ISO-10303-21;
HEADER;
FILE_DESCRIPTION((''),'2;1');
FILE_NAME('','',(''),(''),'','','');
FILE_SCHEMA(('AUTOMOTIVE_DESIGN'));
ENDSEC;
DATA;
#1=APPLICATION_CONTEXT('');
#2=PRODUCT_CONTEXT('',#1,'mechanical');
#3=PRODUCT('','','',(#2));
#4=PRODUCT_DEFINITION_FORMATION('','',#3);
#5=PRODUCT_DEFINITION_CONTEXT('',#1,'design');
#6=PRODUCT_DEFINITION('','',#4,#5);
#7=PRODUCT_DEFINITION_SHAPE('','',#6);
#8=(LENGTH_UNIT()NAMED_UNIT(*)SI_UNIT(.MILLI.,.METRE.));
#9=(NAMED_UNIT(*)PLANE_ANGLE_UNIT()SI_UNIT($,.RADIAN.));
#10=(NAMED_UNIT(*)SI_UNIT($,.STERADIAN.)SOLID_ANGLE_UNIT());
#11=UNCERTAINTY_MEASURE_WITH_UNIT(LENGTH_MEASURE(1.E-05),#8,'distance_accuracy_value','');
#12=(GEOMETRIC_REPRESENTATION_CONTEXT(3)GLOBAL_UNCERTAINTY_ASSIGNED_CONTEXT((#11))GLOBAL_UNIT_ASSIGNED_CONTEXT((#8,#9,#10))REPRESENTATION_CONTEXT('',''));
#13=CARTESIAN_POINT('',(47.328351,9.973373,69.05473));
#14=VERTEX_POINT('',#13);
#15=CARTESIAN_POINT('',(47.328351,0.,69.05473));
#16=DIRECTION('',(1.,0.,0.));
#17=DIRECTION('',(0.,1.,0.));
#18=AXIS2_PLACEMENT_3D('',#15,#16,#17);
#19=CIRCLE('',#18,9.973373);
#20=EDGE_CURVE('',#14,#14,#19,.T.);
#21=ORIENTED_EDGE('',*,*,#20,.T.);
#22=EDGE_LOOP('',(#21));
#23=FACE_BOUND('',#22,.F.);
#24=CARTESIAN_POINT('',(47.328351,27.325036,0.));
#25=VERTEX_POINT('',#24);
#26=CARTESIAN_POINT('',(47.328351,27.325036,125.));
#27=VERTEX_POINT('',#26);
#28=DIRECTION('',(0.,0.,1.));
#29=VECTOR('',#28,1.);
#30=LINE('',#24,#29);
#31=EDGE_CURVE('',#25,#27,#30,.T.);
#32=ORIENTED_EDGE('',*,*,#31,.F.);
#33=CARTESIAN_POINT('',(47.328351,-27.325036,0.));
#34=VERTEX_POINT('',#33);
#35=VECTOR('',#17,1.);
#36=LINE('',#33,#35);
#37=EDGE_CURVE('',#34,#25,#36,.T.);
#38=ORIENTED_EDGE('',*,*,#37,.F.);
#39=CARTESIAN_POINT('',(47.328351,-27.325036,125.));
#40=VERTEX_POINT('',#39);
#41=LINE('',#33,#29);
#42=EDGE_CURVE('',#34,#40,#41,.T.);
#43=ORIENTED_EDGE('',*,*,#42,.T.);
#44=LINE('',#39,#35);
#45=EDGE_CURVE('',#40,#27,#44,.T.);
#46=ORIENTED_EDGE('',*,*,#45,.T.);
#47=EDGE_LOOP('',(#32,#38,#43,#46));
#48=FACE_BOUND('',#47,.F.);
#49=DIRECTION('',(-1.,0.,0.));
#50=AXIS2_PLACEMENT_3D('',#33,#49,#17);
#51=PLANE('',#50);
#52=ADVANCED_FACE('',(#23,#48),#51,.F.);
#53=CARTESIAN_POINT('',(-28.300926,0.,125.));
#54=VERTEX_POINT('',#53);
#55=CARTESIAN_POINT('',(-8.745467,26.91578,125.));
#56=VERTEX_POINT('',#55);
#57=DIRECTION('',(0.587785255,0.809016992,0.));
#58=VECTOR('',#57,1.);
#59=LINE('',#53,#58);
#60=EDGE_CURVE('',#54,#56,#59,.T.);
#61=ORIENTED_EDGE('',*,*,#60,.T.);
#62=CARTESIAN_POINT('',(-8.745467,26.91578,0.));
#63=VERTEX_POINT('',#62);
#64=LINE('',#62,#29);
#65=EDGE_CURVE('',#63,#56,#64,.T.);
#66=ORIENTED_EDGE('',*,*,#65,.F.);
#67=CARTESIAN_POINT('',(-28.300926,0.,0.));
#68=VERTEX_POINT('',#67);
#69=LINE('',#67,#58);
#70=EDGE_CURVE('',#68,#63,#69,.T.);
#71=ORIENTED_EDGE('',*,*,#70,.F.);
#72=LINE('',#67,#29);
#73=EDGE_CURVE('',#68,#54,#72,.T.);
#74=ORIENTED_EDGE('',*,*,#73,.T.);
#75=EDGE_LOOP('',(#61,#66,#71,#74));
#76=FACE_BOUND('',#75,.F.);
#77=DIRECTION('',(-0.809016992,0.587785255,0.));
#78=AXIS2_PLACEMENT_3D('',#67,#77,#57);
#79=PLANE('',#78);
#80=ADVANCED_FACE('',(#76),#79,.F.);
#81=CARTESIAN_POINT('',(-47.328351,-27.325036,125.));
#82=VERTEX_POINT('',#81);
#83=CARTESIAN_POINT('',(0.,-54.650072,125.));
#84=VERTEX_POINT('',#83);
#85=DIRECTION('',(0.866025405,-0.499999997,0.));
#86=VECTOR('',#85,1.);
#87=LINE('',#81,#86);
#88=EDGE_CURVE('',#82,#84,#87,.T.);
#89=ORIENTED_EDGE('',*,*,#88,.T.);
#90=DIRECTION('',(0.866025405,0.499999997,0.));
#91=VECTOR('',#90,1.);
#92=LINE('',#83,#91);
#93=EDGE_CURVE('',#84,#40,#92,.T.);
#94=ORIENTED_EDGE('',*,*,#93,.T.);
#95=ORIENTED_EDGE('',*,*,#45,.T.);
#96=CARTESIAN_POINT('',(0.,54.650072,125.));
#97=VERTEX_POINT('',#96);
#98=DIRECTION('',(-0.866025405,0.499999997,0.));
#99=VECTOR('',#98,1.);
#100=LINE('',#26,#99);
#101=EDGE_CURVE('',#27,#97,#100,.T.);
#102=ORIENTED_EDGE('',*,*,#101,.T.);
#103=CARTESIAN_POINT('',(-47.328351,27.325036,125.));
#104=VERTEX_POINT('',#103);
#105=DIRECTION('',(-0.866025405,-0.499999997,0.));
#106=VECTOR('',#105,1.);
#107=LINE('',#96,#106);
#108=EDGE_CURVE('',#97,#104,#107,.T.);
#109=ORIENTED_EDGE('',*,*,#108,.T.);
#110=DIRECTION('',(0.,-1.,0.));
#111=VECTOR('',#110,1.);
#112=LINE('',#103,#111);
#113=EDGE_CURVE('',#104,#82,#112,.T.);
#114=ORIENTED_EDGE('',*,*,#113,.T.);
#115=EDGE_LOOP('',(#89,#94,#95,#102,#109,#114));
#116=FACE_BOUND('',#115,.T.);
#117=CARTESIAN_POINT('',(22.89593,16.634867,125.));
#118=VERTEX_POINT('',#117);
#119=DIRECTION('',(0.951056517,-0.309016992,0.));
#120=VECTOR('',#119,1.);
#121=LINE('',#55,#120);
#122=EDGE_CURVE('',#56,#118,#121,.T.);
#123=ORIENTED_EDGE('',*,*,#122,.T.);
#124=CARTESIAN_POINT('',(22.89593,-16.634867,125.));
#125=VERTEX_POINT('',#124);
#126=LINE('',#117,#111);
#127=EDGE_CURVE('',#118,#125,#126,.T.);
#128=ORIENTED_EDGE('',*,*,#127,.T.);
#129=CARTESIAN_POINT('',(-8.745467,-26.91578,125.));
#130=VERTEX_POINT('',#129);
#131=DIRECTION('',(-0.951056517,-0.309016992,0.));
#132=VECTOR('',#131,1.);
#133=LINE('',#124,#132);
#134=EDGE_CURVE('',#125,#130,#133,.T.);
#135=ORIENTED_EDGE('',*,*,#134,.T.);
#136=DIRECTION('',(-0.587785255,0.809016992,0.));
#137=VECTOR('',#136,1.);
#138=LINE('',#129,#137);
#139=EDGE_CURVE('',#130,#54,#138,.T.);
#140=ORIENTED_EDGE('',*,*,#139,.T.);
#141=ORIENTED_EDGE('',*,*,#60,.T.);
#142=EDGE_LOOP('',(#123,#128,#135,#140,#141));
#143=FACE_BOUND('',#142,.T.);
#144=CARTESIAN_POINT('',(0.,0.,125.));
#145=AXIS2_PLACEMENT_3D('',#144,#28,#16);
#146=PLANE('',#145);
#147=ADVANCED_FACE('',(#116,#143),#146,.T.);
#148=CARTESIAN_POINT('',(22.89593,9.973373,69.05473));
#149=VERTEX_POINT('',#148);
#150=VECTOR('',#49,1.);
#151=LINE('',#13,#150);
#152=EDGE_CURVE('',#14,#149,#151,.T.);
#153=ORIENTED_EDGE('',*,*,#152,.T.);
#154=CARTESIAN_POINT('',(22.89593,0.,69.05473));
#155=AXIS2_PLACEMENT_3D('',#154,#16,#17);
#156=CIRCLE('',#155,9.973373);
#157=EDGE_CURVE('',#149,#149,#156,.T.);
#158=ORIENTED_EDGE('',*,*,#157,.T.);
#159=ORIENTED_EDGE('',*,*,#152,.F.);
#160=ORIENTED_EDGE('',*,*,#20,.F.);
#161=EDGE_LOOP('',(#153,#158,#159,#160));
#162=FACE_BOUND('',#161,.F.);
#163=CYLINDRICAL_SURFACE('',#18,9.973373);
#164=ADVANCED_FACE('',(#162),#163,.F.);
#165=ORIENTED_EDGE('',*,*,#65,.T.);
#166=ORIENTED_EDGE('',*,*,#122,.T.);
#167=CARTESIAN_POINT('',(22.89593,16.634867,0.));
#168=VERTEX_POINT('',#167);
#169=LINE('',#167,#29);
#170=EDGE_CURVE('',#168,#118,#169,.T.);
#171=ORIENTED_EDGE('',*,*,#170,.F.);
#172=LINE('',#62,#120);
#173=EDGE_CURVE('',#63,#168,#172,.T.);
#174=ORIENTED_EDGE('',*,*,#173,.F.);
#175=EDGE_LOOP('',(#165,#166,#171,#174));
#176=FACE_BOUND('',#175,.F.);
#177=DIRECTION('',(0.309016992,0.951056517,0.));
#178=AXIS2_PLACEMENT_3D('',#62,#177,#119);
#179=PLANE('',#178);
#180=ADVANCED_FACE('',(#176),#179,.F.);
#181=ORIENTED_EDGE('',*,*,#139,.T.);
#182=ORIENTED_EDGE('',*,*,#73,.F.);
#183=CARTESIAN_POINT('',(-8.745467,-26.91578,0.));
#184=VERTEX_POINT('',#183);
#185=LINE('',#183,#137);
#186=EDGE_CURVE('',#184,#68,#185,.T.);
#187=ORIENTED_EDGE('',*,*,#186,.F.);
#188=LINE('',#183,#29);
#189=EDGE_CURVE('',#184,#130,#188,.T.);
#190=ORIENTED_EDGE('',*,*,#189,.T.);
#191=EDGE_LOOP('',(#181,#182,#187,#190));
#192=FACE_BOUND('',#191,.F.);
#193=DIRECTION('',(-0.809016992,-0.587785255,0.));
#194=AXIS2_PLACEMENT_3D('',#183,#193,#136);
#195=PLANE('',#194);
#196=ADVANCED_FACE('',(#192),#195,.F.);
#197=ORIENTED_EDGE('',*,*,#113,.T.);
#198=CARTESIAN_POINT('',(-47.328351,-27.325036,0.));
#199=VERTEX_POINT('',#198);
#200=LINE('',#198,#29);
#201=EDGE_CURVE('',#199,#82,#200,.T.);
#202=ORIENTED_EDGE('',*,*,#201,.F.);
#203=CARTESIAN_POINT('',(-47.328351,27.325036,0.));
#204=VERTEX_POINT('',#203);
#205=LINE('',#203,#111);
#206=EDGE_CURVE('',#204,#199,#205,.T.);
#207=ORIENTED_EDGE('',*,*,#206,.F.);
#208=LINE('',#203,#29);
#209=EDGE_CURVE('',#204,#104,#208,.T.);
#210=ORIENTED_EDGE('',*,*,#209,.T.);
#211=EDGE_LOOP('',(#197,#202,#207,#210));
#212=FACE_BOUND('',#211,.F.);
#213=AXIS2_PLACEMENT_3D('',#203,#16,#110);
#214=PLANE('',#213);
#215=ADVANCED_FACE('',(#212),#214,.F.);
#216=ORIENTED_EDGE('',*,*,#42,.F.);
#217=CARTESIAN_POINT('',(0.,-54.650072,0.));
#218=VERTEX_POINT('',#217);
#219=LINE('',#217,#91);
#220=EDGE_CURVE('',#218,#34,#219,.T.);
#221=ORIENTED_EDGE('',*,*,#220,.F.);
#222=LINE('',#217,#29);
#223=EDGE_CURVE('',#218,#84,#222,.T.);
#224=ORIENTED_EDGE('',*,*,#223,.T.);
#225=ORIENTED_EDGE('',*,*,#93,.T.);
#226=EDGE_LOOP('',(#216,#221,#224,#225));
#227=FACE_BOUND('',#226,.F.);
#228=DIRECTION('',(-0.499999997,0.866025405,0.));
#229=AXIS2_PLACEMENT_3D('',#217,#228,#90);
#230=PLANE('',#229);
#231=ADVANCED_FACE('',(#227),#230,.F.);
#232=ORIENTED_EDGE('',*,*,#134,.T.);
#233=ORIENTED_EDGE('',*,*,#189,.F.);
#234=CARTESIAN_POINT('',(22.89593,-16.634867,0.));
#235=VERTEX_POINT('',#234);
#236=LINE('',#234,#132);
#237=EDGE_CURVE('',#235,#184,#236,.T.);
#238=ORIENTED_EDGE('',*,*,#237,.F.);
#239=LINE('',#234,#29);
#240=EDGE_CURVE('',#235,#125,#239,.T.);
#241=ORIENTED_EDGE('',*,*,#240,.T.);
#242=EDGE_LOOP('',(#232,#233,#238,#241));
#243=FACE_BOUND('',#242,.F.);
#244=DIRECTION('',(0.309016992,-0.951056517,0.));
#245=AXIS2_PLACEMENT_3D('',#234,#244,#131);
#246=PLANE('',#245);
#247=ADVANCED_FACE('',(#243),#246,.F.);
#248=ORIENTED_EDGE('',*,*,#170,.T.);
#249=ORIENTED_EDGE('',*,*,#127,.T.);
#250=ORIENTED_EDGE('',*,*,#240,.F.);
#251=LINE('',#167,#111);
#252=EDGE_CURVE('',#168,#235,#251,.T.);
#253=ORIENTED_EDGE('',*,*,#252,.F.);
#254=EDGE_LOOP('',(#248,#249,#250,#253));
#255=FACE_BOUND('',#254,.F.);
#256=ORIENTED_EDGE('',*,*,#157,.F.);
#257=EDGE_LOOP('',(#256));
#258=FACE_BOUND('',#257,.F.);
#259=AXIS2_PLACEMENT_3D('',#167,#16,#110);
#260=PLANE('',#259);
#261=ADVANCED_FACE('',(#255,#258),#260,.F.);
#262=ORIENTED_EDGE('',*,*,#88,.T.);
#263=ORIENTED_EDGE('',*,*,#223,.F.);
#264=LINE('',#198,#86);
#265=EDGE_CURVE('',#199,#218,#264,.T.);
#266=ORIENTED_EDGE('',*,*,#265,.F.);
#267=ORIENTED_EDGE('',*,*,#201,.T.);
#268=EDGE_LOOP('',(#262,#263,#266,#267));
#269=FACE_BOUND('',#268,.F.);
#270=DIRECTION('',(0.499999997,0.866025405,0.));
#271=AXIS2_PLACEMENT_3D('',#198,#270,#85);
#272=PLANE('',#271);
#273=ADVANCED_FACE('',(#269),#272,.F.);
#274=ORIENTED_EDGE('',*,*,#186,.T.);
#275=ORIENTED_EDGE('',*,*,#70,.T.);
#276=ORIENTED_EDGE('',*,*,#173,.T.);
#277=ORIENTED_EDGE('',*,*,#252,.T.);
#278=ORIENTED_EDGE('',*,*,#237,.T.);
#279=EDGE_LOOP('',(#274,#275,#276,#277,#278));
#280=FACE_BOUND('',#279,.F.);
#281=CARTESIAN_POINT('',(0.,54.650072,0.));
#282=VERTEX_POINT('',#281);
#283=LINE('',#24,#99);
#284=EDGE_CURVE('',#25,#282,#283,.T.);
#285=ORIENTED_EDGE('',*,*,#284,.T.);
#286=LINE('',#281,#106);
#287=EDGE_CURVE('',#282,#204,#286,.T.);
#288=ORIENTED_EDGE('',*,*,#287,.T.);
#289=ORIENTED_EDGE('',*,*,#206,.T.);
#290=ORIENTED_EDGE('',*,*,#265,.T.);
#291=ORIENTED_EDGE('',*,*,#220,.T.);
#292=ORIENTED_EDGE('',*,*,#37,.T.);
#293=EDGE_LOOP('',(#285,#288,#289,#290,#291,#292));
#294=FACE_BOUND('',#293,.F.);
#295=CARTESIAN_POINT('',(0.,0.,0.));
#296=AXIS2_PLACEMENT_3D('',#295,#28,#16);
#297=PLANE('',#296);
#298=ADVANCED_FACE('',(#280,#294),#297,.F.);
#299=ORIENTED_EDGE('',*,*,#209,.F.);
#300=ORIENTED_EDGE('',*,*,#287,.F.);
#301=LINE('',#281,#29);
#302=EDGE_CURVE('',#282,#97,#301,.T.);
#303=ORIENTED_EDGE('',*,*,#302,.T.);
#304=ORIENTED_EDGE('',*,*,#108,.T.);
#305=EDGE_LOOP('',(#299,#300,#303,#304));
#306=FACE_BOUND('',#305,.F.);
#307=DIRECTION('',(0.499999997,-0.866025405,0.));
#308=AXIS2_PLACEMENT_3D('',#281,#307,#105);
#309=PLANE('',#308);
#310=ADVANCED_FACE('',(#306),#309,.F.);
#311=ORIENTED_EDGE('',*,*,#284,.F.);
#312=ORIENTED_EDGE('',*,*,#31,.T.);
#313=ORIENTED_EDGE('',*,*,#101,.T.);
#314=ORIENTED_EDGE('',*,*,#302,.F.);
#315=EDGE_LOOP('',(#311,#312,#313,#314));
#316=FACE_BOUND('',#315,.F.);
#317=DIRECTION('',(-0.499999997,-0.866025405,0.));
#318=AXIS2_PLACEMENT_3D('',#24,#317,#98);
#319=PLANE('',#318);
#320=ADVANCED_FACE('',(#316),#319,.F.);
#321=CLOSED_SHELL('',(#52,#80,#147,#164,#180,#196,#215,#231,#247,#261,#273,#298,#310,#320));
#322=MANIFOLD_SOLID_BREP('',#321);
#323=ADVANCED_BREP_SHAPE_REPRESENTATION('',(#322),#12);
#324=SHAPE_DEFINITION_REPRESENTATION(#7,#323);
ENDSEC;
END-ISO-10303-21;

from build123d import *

# Parameters (mm, degrees)
F1_DEPTH = 125
F2_R     = 9.973373
F3_DEPTH = 25


with BuildPart() as f1:
    # F0 (on Top) → F1 (new body)
    with BuildSketch(Plane.XY):
        Polygon((47.328351, 27.325036), (0, 54.650072), (-47.328351, 27.325036), (-47.328351, -27.325036), (0, -54.650072), (47.328351, -27.325036), align=None)
        Polygon((-8.745467, -26.91578), (-28.300926, 0), (-8.745467, 26.91578), (22.89593, 16.634867), (22.89593, -16.634867), align=None, mode=Mode.SUBTRACT)
    extrude(amount=F1_DEPTH)

    # F2 (on face) → F3 (cut)
    with BuildSketch(Plane.YZ.offset(47.328351)):
        with Locations((0, 69.05473)):
            Circle(F2_R)
    extrude(amount=-F3_DEPTH, mode=Mode.SUBTRACT)


solid = f1.part
